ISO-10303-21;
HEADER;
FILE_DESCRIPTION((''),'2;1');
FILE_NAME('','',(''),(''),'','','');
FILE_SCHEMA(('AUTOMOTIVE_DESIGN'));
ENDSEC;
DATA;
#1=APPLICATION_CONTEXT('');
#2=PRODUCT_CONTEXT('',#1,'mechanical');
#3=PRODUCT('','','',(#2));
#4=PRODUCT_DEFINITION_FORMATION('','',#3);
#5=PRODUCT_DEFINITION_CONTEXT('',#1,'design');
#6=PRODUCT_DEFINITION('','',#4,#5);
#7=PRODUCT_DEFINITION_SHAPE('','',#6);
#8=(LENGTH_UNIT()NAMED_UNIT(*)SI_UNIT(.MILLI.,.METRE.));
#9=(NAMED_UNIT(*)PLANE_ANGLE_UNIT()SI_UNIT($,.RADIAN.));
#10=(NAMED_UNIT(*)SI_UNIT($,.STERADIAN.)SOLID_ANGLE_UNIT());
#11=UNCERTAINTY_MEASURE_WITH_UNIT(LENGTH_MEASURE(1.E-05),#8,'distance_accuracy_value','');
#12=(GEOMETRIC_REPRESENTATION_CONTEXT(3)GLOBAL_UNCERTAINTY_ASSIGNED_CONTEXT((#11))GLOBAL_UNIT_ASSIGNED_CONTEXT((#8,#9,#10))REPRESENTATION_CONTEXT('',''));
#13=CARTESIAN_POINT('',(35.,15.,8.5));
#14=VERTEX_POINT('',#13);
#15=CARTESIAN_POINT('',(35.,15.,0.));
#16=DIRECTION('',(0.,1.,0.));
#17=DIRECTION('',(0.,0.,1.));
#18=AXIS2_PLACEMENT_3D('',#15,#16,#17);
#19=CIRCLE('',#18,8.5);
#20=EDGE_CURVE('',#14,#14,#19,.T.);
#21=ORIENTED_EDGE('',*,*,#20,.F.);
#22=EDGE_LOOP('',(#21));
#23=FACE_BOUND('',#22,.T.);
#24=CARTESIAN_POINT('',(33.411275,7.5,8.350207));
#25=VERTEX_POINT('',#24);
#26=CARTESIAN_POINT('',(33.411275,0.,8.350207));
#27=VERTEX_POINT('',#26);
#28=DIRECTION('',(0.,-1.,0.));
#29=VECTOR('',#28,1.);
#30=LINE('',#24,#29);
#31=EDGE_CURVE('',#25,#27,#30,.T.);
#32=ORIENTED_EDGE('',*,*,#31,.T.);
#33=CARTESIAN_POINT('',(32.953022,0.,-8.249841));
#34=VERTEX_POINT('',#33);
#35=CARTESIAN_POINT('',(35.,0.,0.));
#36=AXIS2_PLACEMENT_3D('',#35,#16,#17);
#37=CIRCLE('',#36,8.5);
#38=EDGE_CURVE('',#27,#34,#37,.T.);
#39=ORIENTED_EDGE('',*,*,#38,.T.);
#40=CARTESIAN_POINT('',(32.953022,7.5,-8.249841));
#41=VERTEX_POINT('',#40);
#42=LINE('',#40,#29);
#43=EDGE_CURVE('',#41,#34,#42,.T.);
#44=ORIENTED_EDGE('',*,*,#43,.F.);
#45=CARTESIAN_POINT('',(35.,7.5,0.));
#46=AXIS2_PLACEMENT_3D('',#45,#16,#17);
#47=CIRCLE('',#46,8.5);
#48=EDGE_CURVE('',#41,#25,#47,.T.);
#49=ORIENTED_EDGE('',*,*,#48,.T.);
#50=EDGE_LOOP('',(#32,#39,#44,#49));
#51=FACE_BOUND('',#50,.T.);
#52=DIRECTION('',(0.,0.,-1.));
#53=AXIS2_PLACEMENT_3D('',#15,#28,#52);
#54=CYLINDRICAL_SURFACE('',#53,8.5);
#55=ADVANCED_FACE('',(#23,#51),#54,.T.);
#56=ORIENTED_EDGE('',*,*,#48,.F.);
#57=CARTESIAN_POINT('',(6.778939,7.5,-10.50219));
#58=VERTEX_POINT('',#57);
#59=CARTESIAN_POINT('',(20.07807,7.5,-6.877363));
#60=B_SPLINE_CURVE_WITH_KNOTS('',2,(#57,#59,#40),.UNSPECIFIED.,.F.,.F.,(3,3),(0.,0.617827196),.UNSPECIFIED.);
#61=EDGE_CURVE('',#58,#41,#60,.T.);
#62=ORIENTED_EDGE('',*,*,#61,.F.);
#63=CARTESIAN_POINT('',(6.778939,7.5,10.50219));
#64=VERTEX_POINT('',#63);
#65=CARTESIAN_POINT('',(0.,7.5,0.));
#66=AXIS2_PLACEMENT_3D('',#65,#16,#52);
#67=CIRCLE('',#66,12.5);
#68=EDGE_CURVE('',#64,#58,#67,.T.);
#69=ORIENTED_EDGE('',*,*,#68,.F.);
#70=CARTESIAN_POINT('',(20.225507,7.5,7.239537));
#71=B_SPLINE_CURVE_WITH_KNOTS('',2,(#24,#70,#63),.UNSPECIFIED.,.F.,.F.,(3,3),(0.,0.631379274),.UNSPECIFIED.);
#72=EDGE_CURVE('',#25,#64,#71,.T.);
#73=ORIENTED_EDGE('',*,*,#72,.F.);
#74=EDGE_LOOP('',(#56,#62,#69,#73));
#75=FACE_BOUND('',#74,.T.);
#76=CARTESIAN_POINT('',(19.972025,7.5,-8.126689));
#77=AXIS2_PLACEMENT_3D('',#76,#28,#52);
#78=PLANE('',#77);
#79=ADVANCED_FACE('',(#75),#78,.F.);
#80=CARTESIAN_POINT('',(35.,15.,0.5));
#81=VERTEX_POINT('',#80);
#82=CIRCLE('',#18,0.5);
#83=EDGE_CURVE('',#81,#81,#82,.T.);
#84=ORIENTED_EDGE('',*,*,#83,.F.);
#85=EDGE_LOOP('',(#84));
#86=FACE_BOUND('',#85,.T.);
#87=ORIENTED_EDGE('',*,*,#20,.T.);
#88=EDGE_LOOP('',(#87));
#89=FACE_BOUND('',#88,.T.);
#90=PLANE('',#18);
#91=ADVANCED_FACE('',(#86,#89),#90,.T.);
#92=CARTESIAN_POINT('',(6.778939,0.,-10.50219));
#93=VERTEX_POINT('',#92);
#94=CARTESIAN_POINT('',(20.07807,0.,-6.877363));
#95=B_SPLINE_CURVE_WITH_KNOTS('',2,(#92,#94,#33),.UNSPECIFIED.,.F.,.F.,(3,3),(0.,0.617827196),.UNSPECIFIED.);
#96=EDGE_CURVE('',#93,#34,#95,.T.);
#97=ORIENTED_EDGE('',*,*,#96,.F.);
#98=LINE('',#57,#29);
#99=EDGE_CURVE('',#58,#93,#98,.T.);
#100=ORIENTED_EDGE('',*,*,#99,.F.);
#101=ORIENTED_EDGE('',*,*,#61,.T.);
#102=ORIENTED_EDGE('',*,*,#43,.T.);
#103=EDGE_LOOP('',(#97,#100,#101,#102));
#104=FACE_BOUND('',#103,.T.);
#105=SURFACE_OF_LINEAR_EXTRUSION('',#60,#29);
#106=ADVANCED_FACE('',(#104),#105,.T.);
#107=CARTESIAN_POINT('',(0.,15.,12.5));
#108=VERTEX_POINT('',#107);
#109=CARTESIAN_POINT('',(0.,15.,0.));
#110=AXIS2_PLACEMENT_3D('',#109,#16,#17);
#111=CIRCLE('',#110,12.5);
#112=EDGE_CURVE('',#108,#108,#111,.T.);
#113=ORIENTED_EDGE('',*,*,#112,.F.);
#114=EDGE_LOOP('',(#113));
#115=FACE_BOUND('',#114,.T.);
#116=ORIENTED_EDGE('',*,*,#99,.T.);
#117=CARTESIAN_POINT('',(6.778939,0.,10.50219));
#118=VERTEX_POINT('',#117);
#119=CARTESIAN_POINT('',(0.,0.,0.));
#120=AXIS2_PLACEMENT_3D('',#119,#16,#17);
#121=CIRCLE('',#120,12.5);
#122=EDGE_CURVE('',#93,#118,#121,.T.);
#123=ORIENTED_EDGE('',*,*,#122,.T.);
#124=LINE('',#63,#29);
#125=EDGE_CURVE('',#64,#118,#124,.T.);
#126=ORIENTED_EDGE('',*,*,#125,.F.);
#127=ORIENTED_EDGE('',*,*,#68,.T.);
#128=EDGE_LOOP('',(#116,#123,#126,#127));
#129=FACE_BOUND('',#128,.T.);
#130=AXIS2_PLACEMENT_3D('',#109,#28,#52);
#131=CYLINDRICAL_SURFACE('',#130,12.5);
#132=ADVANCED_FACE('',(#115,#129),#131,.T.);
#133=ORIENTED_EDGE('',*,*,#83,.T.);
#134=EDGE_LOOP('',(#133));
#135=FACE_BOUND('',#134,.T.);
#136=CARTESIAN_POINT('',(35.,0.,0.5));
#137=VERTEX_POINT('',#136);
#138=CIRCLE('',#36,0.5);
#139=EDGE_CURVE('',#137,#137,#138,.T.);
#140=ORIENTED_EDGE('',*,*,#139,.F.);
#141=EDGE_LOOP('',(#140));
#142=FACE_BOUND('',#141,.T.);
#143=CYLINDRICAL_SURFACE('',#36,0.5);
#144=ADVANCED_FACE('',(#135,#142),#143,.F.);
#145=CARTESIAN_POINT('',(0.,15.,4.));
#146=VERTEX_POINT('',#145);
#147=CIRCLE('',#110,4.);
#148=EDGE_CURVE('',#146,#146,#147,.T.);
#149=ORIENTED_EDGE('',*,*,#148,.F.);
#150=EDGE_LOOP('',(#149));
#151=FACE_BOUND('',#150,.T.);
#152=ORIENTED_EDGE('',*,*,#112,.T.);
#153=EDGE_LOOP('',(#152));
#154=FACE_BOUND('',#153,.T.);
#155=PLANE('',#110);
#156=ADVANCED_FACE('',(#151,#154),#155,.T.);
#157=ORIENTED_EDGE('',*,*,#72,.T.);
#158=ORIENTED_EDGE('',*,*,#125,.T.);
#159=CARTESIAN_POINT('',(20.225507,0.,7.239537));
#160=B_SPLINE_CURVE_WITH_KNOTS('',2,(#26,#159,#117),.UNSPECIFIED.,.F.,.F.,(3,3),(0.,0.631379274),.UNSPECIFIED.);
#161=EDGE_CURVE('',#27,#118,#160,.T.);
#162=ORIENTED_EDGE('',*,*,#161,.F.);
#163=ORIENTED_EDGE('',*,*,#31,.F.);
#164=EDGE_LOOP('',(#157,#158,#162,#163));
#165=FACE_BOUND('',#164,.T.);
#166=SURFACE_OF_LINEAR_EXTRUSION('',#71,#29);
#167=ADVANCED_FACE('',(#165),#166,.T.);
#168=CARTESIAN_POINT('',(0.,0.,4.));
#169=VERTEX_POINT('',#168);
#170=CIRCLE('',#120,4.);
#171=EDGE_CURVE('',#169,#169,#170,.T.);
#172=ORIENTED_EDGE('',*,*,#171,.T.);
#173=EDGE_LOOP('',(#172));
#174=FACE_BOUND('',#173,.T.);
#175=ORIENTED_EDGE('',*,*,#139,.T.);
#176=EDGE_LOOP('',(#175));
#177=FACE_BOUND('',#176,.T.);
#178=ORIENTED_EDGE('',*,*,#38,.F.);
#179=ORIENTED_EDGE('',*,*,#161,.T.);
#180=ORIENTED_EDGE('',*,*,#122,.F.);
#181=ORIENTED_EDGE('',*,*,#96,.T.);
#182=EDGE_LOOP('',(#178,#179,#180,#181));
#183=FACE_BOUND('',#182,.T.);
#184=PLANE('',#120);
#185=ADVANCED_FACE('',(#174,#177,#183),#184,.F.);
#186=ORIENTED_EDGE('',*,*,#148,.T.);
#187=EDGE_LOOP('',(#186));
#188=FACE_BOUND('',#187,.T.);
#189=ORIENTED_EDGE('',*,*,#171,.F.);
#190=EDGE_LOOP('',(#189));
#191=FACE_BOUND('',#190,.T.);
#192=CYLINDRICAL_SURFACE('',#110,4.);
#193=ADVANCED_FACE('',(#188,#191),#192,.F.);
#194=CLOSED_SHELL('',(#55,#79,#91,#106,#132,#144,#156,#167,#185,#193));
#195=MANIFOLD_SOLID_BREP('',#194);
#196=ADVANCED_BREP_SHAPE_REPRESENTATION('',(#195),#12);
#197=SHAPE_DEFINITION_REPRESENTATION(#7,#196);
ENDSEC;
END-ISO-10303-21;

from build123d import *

# Parameters (mm, degrees)
SZKIC1_R                    = 12.5
DODANIE_WYCI_GNI_CIE2_DEPTH = 15
SZKIC3_R                    = 8.5
DODANIE_WYCI_GNI_CIE3_DEPTH = 15
DODANIE_WYCI_GNI_CIE4_DEPTH = 7.5
OTWORY_USTALAJ_CE_8_0MM1_D  = 8
SZKIC7_R                    = 0.5
WYTNIJ_WYCI_GNI_CIE1_DEPTH  = 15


with BuildPart() as part:
    # Szkic1 → Dodanie-wyciągnięcie2 (new body)
    with BuildSketch(Plane(origin=(0, 0, 0), x_dir=(1, 0, 0), z_dir=(0, 1, 0))):
        Circle(SZKIC1_R)
    extrude(amount=DODANIE_WYCI_GNI_CIE2_DEPTH)



with BuildPart() as body_2:
    # Szkic3 → Dodanie-wyciągnięcie3 (new body)
    with BuildSketch(Plane(origin=(0, 0, 0), x_dir=(1, 0, 0), z_dir=(0, 1, 0))):
        with Locations((35, 0)):
            Circle(SZKIC3_R)
    extrude(amount=DODANIE_WYCI_GNI_CIE3_DEPTH)


with BuildPart() as part_1:
    add(part.part)

    add(body_2.part)  # Dodanie-wyciągnięcie4 merges body 2
    # Szkic4 → Dodanie-wyciągnięcie4 (add)
    with BuildSketch(Plane(origin=(0, 0, 0), x_dir=(-1, 0, 0), z_dir=(0, -1, 0))):
        with BuildLine():
            ThreePointArc((-6.778939078, 10.502189533), (-12.5, 0), (-6.778939078, -10.502189533))
            add(Edge.make_bspline(
                [(-6.778939078, -10.502189533), (-20.225507154, -7.239536671), (-33.411274741, -8.350206707)],
                knots=[0, 0, 0, 0.631379274, 0.631379274, 0.631379274], degree=2))
            ThreePointArc((-33.411274741, -8.350206707), (-26.503236916, -0.234557237), (-32.953022418, 8.249841379))
            add(Edge.make_bspline(
                [(-6.778939078, 10.502189533), (-20.078070114, 6.877362512), (-32.953022418, 8.249841379)],
                knots=[0, 0, 0, 0.617827196, 0.617827196, 0.617827196], degree=2))
        make_face()
    extrude(amount=-DODANIE_WYCI_GNI_CIE4_DEPTH)

    # Otwory ustalające Ø8.0mm1 (through all)
    with Locations(Plane(origin=(0, 15, 0), x_dir=(1, 0, 0), z_dir=(0, 1, 0))):
        with Locations((0, 0)):
            Hole(OTWORY_USTALAJ_CE_8_0MM1_D / 2)

    # Szkic7 → Wytnij-wyciągnięcie1 (cut)
    with BuildSketch(Plane(origin=(0, 15, 0), x_dir=(1, 0, 0), z_dir=(0, 1, 0))):
        with Locations((35, 0)):
            Circle(SZKIC7_R)
    extrude(amount=-WYTNIJ_WYCI_GNI_CIE1_DEPTH, mode=Mode.SUBTRACT)


solid = part_1.part
